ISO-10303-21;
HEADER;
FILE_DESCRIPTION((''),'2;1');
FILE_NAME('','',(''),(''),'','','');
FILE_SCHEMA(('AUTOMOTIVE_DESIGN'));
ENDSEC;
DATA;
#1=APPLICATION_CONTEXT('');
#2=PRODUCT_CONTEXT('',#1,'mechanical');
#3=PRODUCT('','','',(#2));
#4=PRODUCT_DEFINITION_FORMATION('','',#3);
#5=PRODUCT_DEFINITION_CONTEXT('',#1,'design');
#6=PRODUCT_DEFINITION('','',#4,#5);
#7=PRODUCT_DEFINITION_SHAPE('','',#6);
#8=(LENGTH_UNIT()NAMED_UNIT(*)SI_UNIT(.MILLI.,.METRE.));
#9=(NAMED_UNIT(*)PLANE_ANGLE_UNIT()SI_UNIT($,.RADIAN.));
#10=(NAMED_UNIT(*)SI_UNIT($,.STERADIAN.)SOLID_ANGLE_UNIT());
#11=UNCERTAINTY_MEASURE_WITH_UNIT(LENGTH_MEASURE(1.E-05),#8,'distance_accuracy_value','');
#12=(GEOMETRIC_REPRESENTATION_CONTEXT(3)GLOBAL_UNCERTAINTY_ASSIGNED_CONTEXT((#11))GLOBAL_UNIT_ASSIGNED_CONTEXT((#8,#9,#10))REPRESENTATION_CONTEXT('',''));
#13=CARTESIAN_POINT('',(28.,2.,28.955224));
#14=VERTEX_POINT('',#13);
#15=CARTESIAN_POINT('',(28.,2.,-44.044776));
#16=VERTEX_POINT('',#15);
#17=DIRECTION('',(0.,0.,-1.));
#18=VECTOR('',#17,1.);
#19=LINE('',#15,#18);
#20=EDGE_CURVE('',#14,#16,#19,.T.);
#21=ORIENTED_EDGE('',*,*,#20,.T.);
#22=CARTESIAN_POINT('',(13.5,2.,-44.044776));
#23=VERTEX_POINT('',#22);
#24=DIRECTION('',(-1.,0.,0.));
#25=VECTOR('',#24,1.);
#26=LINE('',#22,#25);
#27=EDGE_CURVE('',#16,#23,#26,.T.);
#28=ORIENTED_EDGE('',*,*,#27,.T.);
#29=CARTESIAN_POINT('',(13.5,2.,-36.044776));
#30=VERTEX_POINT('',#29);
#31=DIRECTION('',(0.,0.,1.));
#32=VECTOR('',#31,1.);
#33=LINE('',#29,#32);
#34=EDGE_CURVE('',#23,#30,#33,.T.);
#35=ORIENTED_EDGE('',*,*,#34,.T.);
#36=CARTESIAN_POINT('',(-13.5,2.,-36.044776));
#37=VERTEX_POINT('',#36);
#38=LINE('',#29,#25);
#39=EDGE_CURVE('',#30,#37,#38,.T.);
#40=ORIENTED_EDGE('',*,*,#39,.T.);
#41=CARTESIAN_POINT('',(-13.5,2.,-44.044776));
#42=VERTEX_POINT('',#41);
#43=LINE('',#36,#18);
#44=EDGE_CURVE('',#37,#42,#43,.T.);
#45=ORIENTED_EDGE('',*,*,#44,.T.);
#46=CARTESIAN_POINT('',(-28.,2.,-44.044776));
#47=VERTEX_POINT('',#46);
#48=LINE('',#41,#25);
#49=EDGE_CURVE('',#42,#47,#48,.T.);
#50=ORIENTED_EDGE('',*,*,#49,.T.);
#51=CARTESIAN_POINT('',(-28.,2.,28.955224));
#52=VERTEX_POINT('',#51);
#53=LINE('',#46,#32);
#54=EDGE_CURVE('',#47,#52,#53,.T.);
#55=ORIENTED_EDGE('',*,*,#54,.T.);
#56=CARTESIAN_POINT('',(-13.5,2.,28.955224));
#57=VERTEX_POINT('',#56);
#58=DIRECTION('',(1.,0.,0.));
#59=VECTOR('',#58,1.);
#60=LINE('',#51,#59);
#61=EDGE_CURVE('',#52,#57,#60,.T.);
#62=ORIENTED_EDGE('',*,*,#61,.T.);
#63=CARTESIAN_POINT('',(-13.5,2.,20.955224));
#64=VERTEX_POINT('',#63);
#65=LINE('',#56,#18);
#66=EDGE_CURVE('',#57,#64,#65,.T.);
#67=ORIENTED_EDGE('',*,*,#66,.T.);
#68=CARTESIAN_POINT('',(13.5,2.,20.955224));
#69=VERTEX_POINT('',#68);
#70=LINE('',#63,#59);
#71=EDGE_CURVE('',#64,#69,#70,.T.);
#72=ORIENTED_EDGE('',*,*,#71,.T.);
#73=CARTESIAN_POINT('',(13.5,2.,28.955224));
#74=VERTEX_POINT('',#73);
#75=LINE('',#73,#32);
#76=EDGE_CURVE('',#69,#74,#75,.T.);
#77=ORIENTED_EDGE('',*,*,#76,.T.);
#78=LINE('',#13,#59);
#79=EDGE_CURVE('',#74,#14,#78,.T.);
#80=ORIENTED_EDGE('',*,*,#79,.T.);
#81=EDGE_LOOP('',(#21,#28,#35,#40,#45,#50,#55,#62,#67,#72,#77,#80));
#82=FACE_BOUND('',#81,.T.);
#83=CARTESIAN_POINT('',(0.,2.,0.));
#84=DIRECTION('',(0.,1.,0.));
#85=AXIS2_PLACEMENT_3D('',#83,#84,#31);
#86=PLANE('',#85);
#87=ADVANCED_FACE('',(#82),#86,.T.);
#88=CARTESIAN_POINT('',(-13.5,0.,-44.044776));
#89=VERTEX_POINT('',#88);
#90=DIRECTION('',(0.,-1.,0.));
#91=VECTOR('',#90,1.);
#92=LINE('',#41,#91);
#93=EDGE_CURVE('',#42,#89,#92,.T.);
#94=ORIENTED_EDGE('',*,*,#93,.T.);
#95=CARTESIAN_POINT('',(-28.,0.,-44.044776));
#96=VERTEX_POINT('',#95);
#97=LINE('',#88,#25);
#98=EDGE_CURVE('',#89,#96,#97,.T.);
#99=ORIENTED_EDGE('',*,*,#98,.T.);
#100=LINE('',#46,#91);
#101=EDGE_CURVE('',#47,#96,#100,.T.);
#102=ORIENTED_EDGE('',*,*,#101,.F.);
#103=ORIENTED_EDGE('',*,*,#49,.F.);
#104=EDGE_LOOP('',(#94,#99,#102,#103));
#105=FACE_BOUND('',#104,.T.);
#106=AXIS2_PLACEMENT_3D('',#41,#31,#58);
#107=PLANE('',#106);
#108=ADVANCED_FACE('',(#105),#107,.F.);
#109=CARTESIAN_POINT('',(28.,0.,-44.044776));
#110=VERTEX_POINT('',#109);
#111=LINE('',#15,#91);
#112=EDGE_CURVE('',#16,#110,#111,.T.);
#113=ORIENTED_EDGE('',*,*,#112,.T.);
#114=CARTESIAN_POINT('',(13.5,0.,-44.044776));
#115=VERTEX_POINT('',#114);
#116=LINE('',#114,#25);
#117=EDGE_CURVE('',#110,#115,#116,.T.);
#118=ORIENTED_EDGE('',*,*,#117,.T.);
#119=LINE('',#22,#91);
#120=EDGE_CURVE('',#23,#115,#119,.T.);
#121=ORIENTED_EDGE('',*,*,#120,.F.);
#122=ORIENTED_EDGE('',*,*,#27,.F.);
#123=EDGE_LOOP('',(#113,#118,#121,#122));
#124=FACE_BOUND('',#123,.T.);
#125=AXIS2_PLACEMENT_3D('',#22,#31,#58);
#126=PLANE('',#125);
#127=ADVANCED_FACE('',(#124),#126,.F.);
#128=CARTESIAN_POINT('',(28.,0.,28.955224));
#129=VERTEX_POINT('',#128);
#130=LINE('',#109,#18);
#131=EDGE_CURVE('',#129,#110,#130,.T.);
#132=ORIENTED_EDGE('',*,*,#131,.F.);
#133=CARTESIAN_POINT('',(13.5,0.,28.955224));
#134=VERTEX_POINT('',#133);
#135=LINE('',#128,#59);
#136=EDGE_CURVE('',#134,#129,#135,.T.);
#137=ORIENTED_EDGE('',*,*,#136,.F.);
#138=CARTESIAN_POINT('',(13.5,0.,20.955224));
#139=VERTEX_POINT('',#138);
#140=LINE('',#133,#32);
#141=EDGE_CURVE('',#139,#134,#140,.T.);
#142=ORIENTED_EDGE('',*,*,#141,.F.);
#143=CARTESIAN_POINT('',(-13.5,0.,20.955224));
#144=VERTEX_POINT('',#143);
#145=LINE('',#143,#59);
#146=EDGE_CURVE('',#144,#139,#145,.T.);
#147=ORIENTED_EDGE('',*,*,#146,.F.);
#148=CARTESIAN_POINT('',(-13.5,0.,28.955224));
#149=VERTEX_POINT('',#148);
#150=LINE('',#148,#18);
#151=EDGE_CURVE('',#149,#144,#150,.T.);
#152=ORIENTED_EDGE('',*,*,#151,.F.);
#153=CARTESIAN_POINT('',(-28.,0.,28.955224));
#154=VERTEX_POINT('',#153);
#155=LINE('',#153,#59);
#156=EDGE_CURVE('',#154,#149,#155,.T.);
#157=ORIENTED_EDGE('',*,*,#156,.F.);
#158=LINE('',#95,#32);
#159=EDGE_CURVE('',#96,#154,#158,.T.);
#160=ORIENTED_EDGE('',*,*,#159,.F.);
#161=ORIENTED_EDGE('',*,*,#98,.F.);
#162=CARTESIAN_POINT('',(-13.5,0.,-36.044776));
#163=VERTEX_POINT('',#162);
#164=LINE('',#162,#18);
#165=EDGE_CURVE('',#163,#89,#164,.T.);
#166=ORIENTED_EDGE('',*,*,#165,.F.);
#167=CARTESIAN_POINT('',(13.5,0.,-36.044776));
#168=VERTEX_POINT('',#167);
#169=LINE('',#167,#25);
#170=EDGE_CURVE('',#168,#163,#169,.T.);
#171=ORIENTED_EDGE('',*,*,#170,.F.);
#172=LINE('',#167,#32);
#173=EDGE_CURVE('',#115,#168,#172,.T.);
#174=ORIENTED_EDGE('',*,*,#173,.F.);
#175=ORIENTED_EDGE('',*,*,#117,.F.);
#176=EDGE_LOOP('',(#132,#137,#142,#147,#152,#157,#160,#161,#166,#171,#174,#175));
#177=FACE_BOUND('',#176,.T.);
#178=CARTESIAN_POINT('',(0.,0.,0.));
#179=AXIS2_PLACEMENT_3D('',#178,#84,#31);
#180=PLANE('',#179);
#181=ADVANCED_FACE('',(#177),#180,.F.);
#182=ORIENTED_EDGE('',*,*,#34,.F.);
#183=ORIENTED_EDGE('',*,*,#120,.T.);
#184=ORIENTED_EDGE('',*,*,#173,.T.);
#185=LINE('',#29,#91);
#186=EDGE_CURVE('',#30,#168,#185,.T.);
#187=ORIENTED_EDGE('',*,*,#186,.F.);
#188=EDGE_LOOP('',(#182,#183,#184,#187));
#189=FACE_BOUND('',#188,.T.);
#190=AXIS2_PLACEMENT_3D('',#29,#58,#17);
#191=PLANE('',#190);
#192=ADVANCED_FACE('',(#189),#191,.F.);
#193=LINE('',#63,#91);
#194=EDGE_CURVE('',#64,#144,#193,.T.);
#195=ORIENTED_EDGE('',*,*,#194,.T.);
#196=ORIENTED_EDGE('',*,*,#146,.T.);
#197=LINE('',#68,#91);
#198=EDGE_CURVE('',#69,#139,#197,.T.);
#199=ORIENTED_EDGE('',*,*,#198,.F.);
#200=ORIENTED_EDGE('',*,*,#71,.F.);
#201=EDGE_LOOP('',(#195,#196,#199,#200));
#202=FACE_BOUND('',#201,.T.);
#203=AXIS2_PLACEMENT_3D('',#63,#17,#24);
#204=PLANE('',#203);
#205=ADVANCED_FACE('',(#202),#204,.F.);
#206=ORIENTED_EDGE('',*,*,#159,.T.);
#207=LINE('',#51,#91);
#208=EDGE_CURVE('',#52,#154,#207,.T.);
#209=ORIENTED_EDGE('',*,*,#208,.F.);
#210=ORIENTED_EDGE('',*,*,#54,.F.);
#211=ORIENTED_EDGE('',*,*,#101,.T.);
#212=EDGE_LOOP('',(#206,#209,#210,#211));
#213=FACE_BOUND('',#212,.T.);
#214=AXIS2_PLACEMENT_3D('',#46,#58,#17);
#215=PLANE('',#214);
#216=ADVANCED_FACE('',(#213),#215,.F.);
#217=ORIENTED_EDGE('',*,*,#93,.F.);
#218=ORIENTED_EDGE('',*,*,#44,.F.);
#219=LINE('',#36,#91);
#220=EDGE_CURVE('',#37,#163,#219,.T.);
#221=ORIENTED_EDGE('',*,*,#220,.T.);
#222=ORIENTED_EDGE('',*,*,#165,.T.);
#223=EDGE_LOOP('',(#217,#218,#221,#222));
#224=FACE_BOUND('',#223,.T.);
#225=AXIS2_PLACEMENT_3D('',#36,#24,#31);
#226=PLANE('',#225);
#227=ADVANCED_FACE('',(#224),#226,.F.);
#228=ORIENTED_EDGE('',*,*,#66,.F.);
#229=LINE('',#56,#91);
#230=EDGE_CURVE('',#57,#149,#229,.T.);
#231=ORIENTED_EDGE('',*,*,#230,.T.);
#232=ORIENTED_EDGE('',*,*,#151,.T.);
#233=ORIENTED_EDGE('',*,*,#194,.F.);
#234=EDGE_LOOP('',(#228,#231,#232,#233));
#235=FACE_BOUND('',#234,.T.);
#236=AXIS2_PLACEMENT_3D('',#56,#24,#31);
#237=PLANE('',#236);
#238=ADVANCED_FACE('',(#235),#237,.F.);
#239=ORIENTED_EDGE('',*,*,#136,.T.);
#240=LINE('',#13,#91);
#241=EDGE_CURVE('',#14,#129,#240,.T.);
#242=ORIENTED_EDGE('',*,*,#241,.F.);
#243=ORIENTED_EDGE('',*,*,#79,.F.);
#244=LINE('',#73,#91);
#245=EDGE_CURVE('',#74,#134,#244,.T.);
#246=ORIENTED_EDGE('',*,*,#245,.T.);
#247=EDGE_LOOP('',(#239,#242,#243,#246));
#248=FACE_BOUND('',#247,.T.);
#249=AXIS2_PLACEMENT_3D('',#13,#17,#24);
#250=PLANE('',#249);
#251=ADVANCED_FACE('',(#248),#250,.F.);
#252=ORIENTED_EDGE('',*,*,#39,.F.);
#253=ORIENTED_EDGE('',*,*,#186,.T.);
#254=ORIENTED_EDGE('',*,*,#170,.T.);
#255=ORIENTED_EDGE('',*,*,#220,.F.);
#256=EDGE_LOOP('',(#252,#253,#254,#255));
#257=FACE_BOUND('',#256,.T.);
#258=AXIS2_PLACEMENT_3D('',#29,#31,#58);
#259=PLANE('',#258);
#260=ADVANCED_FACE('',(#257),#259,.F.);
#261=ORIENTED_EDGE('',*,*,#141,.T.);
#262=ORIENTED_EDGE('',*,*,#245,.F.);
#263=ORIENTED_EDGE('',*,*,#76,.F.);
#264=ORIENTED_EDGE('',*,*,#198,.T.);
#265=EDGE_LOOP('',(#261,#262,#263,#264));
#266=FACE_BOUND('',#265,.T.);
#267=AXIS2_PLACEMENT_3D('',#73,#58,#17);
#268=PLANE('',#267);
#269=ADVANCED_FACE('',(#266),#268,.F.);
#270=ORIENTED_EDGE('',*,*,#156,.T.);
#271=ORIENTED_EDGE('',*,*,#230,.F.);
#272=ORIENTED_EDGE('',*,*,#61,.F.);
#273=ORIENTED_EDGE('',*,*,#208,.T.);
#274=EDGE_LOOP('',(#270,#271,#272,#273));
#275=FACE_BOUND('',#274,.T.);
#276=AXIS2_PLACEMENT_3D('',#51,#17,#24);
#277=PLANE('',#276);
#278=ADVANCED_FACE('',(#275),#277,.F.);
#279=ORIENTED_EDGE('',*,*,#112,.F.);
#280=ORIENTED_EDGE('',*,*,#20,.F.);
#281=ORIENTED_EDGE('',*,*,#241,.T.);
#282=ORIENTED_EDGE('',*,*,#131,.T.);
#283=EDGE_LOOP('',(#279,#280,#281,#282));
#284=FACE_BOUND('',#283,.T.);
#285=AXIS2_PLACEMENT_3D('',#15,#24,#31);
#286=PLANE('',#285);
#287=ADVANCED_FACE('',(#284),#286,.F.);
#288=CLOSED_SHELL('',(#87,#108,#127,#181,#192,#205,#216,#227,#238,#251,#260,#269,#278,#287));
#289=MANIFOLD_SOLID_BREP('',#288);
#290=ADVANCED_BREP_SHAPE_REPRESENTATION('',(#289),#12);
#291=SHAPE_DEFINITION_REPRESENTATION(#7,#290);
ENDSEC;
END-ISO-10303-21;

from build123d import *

# Parameters (mm, degrees)
BOSS_EXTRUDE1_DEPTH = 2


with BuildPart() as part:
    # Sketch1 → Boss-Extrude1 (new body)
    with BuildSketch(Plane(origin=(0, 0, 0), x_dir=(1, 0, 0), z_dir=(0, 1, 0))):
        Polygon((13.5, 36.044776119), (-13.5, 36.044776119), (-13.5, 44.044776119), (-28, 44.044776119), (-28, -28.955223881), (-13.5, -28.955223881), (-13.5, -20.955223881), (13.5, -20.955223881), (13.5, -28.955223881), (28, -28.955223881), (28, 44.044776119), (13.5, 44.044776119), align=None)
    extrude(amount=BOSS_EXTRUDE1_DEPTH)


solid = part.part
